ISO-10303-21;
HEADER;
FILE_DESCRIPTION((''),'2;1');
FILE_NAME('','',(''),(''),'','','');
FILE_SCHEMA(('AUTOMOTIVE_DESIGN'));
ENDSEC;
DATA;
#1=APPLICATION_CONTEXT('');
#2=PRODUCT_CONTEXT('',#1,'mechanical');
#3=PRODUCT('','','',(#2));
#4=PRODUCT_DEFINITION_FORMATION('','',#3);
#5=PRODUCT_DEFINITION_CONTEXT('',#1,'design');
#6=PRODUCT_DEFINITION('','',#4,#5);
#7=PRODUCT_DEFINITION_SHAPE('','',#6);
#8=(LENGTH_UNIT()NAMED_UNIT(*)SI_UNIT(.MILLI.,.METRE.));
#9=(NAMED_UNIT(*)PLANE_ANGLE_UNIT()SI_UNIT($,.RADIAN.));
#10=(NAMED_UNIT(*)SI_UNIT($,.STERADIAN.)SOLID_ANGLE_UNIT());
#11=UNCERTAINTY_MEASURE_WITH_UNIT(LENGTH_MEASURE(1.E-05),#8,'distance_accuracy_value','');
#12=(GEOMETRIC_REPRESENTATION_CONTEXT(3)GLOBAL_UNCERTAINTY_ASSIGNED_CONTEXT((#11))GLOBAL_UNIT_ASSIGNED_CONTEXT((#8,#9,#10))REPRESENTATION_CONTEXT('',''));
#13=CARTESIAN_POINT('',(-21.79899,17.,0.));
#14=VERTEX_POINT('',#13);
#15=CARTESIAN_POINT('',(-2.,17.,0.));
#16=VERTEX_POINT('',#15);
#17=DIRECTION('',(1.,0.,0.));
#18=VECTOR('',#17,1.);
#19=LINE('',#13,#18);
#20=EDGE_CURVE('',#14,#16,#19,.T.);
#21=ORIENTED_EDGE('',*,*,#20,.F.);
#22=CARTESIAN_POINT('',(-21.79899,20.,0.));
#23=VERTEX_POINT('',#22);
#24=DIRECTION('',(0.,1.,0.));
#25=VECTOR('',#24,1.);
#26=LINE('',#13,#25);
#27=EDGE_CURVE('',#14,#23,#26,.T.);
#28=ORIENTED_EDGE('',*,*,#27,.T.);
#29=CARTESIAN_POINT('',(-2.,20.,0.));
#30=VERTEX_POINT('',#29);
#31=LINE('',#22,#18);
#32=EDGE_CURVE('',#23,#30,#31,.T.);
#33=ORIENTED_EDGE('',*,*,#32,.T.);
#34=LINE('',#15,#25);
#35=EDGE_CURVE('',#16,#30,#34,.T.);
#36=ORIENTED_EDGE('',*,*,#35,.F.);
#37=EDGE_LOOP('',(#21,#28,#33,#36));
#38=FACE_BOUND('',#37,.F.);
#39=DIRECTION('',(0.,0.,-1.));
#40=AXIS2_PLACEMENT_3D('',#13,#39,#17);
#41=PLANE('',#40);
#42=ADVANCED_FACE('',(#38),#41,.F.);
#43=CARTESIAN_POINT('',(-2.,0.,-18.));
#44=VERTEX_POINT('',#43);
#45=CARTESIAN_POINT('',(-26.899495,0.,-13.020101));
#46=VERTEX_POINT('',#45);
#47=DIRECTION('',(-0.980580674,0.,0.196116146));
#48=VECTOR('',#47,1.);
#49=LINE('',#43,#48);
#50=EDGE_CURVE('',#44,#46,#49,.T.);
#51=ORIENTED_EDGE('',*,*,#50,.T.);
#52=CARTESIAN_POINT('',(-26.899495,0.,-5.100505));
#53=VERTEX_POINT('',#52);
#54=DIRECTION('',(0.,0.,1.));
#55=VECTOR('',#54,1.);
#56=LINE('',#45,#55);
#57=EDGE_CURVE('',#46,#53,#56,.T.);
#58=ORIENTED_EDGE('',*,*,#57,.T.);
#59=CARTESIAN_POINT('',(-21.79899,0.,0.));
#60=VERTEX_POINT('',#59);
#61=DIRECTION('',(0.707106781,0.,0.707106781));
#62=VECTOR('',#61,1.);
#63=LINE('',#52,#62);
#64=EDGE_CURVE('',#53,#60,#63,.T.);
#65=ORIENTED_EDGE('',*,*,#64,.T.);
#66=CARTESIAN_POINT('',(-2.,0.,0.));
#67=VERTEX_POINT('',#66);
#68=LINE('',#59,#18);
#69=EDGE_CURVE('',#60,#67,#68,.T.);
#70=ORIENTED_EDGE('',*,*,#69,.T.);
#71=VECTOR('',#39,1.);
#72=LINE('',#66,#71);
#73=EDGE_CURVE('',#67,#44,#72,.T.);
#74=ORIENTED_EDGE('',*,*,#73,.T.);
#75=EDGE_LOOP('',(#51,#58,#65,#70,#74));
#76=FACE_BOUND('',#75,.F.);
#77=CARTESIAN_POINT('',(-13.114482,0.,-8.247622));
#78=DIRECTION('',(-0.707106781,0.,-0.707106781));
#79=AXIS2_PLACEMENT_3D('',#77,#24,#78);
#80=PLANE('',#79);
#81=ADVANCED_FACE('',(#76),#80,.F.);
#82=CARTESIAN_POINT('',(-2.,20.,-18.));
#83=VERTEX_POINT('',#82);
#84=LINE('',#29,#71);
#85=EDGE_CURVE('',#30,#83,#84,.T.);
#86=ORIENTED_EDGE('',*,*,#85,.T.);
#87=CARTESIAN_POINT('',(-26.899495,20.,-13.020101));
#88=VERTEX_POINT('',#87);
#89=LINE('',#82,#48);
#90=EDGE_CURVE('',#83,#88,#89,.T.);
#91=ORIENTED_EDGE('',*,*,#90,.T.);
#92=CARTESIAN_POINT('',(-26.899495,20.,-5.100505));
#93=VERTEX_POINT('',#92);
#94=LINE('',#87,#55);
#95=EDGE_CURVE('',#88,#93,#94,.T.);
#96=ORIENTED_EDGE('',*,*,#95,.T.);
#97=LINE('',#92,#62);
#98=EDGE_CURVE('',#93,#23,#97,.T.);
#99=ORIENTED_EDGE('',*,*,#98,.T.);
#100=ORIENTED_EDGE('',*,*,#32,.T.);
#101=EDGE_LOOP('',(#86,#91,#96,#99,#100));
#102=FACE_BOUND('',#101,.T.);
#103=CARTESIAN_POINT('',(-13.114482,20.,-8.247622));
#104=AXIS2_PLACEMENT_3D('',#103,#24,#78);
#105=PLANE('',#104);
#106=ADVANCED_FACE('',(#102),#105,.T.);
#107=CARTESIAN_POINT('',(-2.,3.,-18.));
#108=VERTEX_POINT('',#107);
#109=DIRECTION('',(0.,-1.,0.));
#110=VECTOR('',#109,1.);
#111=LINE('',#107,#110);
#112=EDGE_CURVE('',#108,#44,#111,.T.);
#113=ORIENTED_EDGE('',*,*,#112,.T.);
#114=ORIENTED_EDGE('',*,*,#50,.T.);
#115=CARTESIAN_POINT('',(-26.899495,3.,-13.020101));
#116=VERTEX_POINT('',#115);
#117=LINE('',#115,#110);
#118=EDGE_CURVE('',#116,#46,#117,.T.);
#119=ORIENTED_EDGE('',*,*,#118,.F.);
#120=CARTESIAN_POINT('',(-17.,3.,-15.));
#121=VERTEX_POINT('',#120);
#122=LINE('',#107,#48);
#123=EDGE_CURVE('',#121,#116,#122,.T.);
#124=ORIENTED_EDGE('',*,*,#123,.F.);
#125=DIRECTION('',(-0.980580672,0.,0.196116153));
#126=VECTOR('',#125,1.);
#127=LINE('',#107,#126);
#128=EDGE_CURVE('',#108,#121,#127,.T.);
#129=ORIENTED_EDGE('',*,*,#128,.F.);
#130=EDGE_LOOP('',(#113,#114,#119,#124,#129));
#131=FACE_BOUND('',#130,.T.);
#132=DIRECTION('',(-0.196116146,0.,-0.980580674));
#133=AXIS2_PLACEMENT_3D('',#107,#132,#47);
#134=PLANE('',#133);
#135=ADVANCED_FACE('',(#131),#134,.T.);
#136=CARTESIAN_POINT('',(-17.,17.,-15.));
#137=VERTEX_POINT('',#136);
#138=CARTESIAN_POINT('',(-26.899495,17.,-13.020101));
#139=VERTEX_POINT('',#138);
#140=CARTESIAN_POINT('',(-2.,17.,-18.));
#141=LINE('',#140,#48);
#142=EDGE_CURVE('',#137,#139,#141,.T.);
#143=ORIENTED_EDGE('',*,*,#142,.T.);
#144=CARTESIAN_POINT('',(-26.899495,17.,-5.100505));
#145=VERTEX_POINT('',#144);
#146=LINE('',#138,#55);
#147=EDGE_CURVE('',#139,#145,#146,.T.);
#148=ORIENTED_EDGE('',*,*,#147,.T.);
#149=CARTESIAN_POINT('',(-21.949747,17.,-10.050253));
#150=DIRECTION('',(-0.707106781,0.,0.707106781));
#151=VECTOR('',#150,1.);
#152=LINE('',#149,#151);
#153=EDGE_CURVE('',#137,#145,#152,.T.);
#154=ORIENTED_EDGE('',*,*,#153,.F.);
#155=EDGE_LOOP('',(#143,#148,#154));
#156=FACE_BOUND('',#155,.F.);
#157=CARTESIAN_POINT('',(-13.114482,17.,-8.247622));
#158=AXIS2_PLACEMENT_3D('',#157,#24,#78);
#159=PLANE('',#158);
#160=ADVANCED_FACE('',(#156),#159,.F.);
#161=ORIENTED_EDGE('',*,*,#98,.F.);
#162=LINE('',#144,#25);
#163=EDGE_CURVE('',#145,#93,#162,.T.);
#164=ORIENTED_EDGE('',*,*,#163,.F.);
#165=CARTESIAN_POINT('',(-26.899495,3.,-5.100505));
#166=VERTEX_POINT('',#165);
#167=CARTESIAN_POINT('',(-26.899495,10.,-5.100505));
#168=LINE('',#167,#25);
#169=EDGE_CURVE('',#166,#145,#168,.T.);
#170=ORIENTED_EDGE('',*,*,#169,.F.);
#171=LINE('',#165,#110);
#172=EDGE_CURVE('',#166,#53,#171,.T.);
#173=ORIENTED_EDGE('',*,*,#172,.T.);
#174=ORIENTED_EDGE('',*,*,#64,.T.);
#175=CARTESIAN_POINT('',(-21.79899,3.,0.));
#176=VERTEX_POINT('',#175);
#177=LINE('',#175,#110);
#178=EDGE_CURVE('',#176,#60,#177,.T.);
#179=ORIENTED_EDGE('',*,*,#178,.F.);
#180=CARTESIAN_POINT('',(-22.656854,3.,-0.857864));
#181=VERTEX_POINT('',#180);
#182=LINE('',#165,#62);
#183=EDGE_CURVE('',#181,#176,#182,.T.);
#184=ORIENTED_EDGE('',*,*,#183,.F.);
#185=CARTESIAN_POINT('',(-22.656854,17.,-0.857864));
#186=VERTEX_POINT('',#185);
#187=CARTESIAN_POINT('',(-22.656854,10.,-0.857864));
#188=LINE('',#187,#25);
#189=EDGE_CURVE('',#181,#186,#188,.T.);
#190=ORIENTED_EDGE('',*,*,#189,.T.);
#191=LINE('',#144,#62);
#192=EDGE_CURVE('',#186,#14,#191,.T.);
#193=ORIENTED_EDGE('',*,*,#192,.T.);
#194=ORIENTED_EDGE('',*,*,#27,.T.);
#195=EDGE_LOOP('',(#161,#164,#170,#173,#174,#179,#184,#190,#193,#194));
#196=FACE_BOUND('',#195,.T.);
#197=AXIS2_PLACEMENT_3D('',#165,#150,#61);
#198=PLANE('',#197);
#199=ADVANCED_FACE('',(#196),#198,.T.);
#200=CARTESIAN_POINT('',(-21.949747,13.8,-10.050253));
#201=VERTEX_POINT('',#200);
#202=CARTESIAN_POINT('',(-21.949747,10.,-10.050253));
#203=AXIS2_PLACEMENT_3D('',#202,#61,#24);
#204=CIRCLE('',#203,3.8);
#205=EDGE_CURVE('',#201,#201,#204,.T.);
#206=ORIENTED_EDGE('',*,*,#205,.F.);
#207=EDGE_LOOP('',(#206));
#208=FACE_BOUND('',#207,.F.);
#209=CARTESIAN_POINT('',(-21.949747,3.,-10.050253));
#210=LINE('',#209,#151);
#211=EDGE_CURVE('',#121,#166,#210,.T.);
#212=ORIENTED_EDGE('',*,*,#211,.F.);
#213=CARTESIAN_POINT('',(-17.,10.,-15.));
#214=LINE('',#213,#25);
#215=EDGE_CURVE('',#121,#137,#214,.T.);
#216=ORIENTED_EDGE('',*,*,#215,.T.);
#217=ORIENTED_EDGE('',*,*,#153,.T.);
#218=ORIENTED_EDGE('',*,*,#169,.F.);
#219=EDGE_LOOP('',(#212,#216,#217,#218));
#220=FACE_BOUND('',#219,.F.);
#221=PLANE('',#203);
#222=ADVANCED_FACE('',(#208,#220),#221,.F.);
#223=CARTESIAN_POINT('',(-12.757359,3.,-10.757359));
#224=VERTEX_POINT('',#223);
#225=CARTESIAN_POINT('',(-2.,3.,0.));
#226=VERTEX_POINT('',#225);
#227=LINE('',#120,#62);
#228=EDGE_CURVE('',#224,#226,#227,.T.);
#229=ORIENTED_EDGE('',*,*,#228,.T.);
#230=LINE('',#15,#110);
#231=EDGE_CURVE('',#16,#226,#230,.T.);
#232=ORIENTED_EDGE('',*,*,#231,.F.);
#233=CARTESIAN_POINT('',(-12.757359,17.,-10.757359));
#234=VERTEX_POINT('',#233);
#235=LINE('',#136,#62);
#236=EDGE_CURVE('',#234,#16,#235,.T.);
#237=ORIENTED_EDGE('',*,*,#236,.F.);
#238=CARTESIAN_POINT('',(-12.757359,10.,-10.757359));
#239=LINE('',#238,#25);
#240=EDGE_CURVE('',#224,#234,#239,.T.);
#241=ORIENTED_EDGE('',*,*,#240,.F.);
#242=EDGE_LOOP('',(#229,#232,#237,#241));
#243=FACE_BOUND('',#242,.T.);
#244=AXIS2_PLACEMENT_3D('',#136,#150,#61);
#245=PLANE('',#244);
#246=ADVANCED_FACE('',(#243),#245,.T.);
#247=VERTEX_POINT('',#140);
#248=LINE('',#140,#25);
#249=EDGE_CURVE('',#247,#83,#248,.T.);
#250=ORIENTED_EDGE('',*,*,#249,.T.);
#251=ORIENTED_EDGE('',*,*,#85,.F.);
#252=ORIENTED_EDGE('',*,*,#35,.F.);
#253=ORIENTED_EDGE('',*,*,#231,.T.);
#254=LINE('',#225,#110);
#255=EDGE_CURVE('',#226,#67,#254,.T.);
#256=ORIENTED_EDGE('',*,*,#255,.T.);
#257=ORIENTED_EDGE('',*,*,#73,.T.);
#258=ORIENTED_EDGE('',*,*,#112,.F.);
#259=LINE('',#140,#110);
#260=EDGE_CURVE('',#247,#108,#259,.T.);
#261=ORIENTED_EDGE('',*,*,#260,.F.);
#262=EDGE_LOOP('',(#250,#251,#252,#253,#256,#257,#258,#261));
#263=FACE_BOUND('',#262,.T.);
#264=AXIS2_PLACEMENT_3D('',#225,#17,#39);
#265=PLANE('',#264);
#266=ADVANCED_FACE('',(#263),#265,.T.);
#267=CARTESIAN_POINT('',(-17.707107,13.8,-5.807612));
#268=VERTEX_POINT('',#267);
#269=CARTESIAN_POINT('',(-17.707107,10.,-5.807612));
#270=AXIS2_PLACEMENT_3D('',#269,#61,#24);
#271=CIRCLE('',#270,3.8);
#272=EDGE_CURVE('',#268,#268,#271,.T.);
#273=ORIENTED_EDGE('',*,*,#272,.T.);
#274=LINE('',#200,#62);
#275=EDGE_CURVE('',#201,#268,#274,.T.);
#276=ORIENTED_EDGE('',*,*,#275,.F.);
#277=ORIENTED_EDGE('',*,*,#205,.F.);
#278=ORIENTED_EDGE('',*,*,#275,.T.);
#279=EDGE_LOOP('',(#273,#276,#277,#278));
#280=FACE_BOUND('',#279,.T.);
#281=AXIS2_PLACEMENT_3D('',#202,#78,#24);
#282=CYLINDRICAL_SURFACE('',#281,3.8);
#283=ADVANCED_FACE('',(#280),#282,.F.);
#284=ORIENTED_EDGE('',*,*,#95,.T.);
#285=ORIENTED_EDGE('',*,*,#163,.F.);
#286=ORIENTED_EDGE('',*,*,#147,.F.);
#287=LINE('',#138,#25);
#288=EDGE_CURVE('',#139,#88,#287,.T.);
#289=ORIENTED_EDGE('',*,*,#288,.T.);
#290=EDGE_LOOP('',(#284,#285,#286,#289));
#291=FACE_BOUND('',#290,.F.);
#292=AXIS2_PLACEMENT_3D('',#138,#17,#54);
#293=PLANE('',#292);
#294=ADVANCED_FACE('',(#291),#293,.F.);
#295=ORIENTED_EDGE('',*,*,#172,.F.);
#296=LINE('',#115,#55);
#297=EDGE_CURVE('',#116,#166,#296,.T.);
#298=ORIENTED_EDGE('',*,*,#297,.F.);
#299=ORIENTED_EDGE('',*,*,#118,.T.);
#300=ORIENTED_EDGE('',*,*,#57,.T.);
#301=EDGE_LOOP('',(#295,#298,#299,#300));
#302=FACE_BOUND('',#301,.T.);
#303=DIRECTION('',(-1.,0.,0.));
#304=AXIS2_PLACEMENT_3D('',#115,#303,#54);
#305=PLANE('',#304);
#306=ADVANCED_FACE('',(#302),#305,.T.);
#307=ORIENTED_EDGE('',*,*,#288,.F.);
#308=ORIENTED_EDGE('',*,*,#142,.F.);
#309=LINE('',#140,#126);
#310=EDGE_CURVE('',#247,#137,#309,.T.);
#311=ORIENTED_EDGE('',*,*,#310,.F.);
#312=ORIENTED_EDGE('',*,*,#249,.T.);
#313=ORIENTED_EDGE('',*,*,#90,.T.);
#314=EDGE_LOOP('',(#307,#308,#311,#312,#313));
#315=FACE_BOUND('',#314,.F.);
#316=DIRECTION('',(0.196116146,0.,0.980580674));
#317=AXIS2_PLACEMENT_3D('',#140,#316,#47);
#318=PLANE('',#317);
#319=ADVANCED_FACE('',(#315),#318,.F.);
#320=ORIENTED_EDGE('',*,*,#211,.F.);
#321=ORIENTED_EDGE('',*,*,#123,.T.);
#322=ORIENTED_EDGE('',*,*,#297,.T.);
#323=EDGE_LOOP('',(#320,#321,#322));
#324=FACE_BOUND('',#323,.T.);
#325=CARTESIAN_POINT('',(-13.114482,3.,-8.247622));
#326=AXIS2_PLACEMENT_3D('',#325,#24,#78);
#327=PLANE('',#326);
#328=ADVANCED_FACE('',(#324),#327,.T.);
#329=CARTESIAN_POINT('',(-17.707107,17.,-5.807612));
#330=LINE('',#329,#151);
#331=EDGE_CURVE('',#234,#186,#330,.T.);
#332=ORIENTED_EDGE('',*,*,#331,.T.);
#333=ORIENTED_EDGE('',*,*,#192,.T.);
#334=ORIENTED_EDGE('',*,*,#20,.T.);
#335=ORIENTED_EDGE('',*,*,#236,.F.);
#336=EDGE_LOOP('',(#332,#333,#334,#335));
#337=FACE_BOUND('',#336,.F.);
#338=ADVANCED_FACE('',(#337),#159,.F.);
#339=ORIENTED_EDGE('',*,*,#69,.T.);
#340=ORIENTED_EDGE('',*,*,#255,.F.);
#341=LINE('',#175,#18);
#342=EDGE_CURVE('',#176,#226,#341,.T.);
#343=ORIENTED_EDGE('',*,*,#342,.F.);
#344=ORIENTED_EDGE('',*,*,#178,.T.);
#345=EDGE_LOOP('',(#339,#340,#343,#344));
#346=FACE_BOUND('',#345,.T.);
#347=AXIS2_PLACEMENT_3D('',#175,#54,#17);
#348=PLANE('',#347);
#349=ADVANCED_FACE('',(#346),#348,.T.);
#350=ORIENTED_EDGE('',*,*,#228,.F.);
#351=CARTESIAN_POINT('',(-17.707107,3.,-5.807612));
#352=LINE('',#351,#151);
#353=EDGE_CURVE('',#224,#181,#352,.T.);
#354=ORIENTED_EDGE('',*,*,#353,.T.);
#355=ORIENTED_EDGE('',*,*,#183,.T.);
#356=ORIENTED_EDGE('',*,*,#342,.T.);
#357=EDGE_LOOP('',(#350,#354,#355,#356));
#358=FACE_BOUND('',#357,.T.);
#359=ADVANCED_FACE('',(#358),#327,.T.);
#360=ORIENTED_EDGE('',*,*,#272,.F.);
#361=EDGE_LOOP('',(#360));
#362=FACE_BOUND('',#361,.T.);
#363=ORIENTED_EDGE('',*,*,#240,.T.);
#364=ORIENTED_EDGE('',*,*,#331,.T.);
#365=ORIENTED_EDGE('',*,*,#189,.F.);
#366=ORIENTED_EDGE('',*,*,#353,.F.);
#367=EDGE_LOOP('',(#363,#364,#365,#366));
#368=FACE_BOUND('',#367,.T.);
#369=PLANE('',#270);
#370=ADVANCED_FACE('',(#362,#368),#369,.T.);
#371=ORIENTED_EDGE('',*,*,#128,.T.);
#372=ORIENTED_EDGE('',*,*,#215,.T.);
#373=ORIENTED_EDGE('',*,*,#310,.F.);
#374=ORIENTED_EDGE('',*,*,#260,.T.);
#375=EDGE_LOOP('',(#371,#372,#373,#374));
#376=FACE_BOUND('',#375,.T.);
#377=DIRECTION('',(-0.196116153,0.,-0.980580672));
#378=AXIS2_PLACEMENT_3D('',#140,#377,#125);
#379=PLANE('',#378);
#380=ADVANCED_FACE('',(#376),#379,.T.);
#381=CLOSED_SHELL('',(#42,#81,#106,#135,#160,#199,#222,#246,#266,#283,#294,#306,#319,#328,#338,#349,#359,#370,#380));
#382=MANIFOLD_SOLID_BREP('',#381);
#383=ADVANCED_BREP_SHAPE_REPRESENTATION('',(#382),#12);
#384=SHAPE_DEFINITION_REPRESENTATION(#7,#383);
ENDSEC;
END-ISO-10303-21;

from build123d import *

# Parameters (mm, degrees)
SKETCH008_W             = 14
SKETCH008_H             = 14
SKETCH008_R             = 3.8
PAD007_DEPTH            = 6
PAD008_DEPTH            = 14
PAD009_DEPTH            = 3
PAD010_DEPTH            = 3
BODY002_PLACEMENT_ANGLE = 315


with BuildPart() as part:
    # Sketch008 → Pad007 (new body)
    with BuildSketch(Plane.YZ):
        with Locations((-12, 7)):
            Rectangle(SKETCH008_W, SKETCH008_H)
        with Locations((-12, 7)):
            Circle(SKETCH008_R, mode=Mode.SUBTRACT)
    extrude(amount=PAD007_DEPTH)

    # Sketch009 → Pad008 (join)
    with BuildSketch(Plane.XZ.offset(5)):
        Polygon((0, 0), (21.213203, 0), (8.485281, -12.727922), align=None)
    extrude(amount=PAD008_DEPTH)

    # Sketch010 → Pad009 (join)
    with BuildSketch(Plane.XZ.offset(5)):
        Polygon((0, 14), (7.213203, 14), (21.213203, 0), (8.485281, -12.727922), (-5.6, 8.4), align=None)
    extrude(amount=-PAD009_DEPTH)

    # Sketch011 → Pad010 (join)
    with BuildSketch(Plane.XZ.offset(19)):
        Polygon((0, 14), (7.213203, 14), (21.213203, 0), (8.485281, -12.727922), (-5.6, 8.4), align=None)
    extrude(amount=PAD010_DEPTH)


with BuildPart() as part_1:
    # Body002 placement: moved
    add(part.part.moved(Location((-17, 22, -15))).rotate(Axis((-17, 22, -15), (0, 1, 0)), BODY002_PLACEMENT_ANGLE))


solid = part_1.part
